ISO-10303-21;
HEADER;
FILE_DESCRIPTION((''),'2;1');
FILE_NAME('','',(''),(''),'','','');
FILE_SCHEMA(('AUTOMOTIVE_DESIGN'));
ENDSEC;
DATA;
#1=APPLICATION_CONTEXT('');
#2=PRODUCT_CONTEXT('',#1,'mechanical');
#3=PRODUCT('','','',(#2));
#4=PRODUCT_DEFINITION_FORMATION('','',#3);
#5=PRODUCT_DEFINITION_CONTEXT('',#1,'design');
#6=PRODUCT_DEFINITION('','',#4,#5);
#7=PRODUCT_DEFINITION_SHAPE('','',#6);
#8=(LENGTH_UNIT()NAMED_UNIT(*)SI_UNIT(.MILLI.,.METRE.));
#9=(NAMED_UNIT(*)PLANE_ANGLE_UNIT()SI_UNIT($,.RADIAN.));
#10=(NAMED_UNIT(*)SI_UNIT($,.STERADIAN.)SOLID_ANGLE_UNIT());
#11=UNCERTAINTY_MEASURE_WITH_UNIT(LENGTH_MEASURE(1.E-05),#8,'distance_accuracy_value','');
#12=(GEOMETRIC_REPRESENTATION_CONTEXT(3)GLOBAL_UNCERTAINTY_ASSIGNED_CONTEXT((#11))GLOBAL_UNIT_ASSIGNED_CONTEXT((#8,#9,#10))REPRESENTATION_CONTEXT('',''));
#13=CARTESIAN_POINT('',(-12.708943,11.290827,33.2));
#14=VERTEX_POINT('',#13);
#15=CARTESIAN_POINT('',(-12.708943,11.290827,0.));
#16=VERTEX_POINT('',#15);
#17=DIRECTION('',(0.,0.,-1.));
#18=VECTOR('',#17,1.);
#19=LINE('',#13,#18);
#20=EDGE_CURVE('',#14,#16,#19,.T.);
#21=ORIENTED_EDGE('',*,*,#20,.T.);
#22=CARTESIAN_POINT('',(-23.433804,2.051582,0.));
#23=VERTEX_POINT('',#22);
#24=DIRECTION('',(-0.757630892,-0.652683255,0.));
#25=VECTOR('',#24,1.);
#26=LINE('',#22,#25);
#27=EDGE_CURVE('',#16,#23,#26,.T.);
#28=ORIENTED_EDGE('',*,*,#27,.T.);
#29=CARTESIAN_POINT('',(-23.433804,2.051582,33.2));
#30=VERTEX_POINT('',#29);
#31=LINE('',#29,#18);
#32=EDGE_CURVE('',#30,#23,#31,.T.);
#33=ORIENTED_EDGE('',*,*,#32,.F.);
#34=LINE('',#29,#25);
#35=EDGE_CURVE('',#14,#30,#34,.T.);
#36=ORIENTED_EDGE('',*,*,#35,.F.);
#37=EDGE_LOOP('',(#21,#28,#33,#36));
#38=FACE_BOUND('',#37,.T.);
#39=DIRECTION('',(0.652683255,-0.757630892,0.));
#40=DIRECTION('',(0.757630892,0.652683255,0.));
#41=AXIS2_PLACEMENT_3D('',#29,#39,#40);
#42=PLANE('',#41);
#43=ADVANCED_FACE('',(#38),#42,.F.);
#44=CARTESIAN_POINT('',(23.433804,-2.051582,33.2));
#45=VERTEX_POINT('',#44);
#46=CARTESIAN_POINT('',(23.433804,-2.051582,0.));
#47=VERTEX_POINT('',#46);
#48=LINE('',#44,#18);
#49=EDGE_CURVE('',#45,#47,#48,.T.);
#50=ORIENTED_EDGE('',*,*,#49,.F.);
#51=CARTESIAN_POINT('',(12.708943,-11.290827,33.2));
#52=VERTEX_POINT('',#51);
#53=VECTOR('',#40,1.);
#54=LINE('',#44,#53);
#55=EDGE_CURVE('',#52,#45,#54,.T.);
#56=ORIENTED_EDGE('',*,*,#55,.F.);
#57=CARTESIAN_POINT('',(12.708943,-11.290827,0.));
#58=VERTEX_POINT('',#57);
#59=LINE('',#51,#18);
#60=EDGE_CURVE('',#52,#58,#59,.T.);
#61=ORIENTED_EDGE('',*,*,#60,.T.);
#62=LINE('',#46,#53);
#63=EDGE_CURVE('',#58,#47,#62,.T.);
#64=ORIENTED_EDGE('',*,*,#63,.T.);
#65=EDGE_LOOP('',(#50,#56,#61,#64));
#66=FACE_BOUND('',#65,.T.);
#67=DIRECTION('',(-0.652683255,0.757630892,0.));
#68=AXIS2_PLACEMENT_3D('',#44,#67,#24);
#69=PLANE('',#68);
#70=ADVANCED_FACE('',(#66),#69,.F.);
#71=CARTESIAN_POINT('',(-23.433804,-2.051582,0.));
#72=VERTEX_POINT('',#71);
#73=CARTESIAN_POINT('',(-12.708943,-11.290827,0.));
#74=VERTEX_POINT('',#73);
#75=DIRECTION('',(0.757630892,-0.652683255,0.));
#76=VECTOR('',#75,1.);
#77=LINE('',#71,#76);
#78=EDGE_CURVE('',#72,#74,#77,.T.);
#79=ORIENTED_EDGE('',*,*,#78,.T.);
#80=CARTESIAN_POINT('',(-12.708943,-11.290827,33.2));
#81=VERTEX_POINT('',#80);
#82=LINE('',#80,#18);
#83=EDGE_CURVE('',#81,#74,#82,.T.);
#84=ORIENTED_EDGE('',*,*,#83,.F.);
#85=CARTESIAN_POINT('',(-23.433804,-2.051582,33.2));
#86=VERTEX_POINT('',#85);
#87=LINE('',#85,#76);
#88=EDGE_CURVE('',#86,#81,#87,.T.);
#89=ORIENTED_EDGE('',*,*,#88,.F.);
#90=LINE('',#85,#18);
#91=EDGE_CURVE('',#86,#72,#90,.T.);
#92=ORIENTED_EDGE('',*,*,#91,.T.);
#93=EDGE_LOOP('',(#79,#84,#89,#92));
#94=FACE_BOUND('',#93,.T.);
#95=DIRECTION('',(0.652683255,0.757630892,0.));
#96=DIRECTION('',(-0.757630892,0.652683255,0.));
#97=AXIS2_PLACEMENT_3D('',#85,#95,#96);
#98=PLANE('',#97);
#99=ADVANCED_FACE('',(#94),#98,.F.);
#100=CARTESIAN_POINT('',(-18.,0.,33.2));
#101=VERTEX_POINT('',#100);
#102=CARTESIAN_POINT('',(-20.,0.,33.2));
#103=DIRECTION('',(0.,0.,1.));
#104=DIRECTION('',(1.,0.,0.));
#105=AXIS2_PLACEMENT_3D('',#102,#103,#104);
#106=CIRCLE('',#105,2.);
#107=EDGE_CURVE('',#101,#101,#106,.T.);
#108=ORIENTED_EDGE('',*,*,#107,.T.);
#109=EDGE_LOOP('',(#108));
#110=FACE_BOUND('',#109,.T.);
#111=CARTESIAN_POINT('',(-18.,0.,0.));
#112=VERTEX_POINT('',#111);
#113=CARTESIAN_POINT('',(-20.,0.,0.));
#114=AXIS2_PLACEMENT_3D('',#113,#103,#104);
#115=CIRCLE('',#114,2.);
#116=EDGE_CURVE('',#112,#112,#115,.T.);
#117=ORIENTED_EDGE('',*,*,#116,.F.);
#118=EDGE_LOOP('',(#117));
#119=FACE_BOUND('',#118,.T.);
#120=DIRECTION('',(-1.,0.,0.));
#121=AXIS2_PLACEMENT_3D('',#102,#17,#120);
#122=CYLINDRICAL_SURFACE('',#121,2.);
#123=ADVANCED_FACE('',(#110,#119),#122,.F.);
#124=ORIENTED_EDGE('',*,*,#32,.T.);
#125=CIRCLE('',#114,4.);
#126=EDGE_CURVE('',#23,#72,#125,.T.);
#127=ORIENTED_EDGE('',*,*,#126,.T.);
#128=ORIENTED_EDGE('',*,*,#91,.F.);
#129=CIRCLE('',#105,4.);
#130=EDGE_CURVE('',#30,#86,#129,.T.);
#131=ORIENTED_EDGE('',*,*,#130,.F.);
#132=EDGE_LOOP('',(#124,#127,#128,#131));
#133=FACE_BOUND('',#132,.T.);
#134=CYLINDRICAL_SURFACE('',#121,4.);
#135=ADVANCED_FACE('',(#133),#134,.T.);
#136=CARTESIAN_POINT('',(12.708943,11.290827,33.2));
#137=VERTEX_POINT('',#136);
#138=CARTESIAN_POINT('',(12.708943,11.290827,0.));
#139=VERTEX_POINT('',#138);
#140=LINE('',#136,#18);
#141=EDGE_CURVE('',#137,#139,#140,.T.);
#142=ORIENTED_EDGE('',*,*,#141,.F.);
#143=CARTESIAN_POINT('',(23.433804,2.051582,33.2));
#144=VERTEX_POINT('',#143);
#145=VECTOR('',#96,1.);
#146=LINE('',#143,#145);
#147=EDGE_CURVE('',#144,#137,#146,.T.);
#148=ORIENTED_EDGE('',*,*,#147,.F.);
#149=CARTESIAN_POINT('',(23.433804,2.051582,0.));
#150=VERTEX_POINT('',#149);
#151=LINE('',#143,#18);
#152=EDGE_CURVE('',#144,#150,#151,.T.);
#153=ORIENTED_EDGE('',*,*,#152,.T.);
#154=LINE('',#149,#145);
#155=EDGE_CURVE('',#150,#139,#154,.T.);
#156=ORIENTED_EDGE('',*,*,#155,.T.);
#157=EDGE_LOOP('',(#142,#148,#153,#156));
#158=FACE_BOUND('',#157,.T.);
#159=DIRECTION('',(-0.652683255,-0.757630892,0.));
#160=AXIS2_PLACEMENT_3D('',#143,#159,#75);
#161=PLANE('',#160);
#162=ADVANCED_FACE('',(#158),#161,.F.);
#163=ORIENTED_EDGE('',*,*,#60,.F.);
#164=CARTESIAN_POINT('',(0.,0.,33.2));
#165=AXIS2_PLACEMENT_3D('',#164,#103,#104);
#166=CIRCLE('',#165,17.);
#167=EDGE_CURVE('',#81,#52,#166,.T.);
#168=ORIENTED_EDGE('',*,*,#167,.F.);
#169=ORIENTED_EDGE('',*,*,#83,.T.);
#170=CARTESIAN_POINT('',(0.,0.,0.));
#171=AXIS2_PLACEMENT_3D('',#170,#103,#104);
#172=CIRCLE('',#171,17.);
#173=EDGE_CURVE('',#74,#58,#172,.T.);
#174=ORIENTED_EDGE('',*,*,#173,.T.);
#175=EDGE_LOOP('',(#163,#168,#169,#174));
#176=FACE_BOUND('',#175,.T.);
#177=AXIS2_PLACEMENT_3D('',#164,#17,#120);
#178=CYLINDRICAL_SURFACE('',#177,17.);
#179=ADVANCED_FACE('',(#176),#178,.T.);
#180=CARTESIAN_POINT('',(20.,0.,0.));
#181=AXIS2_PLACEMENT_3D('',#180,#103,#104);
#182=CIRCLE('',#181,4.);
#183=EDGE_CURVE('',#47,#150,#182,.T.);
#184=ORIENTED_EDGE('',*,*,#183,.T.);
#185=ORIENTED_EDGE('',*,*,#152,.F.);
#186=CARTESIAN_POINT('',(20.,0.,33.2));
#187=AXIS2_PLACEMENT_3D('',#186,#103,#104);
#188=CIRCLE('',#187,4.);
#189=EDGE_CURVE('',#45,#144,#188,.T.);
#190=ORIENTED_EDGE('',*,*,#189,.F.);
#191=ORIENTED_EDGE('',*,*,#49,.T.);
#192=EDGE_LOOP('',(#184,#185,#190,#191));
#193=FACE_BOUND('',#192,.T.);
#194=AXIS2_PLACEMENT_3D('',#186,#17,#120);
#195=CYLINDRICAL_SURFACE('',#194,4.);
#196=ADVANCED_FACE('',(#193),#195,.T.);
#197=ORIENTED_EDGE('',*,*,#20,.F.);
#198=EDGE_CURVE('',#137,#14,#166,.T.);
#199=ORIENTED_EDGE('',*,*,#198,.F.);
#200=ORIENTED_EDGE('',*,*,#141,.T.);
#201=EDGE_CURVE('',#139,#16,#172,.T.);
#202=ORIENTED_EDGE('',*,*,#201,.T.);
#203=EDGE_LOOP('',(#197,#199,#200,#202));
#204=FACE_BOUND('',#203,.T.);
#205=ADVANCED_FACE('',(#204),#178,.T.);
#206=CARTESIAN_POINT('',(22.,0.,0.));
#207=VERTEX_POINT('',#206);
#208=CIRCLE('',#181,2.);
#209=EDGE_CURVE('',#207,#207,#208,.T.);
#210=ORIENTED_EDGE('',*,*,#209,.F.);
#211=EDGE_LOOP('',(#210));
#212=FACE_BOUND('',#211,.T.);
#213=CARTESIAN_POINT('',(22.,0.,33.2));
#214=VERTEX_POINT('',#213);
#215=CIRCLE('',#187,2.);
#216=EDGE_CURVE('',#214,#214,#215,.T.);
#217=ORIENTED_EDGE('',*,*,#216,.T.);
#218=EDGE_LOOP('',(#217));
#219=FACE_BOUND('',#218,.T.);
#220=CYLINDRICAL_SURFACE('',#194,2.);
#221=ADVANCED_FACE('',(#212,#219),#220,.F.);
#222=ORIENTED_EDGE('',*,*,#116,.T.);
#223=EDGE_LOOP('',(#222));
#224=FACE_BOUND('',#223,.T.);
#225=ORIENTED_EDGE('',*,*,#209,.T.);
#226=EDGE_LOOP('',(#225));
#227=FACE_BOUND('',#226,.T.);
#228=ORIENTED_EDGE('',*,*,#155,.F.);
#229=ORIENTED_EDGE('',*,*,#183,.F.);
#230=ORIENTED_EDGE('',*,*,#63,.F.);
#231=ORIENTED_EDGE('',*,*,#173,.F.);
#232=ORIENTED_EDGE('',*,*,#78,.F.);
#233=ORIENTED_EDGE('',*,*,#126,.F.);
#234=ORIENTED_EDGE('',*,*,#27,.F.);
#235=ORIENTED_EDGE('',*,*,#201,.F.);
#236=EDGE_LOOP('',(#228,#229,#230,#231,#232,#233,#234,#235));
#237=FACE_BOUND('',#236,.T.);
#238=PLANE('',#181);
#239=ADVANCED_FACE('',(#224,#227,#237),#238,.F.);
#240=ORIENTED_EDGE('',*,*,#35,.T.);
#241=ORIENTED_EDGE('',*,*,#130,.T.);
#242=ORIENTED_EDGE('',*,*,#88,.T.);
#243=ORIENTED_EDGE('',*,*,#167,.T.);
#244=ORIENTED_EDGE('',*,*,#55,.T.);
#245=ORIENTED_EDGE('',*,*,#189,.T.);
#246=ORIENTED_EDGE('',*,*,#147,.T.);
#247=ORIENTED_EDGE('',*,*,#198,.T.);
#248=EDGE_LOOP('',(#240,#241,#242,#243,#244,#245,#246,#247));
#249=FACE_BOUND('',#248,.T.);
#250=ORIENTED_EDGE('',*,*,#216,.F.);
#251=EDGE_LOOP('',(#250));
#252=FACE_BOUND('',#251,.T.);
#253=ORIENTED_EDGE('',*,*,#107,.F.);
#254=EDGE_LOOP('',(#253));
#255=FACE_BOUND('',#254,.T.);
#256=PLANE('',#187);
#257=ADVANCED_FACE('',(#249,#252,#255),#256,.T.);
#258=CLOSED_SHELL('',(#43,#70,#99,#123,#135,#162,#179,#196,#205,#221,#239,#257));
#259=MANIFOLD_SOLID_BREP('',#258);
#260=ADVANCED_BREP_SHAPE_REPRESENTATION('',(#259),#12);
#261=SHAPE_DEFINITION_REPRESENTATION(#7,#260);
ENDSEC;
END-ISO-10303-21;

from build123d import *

# Parameters (mm, degrees)
SKETCH2_R           = 2
BOSS_EXTRUDE2_DEPTH = 33.2


with BuildPart() as part:
    # Sketch2 → Boss-Extrude2 (new body)
    with BuildSketch(Plane.XY):
        with BuildLine():
            Line((23.433804339, 2.051581771), (12.708942861, 11.290826868))
            ThreePointArc((12.708942861, 11.290826868), (0, 17), (-12.708942861, 11.290826868))
            Line((-12.708942861, 11.290826868), (-23.433804339, 2.051581771))
            ThreePointArc((-23.433804339, 2.051581771), (-24, 0), (-23.433804339, -2.051581771))
            Line((-23.433804339, -2.051581771), (-12.708942861, -11.290826868))
            ThreePointArc((-12.708942861, -11.290826868), (0, -17), (12.708942861, -11.290826868))
            Line((12.708942861, -11.290826868), (23.433804339, -2.051581771))
            ThreePointArc((23.433804339, -2.051581771), (24, 0), (23.433804339, 2.051581771))
        make_face()
        with Locations((-20, 0)):
            Circle(SKETCH2_R, mode=Mode.SUBTRACT)
        with Locations((20, 0)):
            Circle(SKETCH2_R, mode=Mode.SUBTRACT)
    extrude(amount=BOSS_EXTRUDE2_DEPTH)


solid = part.part
